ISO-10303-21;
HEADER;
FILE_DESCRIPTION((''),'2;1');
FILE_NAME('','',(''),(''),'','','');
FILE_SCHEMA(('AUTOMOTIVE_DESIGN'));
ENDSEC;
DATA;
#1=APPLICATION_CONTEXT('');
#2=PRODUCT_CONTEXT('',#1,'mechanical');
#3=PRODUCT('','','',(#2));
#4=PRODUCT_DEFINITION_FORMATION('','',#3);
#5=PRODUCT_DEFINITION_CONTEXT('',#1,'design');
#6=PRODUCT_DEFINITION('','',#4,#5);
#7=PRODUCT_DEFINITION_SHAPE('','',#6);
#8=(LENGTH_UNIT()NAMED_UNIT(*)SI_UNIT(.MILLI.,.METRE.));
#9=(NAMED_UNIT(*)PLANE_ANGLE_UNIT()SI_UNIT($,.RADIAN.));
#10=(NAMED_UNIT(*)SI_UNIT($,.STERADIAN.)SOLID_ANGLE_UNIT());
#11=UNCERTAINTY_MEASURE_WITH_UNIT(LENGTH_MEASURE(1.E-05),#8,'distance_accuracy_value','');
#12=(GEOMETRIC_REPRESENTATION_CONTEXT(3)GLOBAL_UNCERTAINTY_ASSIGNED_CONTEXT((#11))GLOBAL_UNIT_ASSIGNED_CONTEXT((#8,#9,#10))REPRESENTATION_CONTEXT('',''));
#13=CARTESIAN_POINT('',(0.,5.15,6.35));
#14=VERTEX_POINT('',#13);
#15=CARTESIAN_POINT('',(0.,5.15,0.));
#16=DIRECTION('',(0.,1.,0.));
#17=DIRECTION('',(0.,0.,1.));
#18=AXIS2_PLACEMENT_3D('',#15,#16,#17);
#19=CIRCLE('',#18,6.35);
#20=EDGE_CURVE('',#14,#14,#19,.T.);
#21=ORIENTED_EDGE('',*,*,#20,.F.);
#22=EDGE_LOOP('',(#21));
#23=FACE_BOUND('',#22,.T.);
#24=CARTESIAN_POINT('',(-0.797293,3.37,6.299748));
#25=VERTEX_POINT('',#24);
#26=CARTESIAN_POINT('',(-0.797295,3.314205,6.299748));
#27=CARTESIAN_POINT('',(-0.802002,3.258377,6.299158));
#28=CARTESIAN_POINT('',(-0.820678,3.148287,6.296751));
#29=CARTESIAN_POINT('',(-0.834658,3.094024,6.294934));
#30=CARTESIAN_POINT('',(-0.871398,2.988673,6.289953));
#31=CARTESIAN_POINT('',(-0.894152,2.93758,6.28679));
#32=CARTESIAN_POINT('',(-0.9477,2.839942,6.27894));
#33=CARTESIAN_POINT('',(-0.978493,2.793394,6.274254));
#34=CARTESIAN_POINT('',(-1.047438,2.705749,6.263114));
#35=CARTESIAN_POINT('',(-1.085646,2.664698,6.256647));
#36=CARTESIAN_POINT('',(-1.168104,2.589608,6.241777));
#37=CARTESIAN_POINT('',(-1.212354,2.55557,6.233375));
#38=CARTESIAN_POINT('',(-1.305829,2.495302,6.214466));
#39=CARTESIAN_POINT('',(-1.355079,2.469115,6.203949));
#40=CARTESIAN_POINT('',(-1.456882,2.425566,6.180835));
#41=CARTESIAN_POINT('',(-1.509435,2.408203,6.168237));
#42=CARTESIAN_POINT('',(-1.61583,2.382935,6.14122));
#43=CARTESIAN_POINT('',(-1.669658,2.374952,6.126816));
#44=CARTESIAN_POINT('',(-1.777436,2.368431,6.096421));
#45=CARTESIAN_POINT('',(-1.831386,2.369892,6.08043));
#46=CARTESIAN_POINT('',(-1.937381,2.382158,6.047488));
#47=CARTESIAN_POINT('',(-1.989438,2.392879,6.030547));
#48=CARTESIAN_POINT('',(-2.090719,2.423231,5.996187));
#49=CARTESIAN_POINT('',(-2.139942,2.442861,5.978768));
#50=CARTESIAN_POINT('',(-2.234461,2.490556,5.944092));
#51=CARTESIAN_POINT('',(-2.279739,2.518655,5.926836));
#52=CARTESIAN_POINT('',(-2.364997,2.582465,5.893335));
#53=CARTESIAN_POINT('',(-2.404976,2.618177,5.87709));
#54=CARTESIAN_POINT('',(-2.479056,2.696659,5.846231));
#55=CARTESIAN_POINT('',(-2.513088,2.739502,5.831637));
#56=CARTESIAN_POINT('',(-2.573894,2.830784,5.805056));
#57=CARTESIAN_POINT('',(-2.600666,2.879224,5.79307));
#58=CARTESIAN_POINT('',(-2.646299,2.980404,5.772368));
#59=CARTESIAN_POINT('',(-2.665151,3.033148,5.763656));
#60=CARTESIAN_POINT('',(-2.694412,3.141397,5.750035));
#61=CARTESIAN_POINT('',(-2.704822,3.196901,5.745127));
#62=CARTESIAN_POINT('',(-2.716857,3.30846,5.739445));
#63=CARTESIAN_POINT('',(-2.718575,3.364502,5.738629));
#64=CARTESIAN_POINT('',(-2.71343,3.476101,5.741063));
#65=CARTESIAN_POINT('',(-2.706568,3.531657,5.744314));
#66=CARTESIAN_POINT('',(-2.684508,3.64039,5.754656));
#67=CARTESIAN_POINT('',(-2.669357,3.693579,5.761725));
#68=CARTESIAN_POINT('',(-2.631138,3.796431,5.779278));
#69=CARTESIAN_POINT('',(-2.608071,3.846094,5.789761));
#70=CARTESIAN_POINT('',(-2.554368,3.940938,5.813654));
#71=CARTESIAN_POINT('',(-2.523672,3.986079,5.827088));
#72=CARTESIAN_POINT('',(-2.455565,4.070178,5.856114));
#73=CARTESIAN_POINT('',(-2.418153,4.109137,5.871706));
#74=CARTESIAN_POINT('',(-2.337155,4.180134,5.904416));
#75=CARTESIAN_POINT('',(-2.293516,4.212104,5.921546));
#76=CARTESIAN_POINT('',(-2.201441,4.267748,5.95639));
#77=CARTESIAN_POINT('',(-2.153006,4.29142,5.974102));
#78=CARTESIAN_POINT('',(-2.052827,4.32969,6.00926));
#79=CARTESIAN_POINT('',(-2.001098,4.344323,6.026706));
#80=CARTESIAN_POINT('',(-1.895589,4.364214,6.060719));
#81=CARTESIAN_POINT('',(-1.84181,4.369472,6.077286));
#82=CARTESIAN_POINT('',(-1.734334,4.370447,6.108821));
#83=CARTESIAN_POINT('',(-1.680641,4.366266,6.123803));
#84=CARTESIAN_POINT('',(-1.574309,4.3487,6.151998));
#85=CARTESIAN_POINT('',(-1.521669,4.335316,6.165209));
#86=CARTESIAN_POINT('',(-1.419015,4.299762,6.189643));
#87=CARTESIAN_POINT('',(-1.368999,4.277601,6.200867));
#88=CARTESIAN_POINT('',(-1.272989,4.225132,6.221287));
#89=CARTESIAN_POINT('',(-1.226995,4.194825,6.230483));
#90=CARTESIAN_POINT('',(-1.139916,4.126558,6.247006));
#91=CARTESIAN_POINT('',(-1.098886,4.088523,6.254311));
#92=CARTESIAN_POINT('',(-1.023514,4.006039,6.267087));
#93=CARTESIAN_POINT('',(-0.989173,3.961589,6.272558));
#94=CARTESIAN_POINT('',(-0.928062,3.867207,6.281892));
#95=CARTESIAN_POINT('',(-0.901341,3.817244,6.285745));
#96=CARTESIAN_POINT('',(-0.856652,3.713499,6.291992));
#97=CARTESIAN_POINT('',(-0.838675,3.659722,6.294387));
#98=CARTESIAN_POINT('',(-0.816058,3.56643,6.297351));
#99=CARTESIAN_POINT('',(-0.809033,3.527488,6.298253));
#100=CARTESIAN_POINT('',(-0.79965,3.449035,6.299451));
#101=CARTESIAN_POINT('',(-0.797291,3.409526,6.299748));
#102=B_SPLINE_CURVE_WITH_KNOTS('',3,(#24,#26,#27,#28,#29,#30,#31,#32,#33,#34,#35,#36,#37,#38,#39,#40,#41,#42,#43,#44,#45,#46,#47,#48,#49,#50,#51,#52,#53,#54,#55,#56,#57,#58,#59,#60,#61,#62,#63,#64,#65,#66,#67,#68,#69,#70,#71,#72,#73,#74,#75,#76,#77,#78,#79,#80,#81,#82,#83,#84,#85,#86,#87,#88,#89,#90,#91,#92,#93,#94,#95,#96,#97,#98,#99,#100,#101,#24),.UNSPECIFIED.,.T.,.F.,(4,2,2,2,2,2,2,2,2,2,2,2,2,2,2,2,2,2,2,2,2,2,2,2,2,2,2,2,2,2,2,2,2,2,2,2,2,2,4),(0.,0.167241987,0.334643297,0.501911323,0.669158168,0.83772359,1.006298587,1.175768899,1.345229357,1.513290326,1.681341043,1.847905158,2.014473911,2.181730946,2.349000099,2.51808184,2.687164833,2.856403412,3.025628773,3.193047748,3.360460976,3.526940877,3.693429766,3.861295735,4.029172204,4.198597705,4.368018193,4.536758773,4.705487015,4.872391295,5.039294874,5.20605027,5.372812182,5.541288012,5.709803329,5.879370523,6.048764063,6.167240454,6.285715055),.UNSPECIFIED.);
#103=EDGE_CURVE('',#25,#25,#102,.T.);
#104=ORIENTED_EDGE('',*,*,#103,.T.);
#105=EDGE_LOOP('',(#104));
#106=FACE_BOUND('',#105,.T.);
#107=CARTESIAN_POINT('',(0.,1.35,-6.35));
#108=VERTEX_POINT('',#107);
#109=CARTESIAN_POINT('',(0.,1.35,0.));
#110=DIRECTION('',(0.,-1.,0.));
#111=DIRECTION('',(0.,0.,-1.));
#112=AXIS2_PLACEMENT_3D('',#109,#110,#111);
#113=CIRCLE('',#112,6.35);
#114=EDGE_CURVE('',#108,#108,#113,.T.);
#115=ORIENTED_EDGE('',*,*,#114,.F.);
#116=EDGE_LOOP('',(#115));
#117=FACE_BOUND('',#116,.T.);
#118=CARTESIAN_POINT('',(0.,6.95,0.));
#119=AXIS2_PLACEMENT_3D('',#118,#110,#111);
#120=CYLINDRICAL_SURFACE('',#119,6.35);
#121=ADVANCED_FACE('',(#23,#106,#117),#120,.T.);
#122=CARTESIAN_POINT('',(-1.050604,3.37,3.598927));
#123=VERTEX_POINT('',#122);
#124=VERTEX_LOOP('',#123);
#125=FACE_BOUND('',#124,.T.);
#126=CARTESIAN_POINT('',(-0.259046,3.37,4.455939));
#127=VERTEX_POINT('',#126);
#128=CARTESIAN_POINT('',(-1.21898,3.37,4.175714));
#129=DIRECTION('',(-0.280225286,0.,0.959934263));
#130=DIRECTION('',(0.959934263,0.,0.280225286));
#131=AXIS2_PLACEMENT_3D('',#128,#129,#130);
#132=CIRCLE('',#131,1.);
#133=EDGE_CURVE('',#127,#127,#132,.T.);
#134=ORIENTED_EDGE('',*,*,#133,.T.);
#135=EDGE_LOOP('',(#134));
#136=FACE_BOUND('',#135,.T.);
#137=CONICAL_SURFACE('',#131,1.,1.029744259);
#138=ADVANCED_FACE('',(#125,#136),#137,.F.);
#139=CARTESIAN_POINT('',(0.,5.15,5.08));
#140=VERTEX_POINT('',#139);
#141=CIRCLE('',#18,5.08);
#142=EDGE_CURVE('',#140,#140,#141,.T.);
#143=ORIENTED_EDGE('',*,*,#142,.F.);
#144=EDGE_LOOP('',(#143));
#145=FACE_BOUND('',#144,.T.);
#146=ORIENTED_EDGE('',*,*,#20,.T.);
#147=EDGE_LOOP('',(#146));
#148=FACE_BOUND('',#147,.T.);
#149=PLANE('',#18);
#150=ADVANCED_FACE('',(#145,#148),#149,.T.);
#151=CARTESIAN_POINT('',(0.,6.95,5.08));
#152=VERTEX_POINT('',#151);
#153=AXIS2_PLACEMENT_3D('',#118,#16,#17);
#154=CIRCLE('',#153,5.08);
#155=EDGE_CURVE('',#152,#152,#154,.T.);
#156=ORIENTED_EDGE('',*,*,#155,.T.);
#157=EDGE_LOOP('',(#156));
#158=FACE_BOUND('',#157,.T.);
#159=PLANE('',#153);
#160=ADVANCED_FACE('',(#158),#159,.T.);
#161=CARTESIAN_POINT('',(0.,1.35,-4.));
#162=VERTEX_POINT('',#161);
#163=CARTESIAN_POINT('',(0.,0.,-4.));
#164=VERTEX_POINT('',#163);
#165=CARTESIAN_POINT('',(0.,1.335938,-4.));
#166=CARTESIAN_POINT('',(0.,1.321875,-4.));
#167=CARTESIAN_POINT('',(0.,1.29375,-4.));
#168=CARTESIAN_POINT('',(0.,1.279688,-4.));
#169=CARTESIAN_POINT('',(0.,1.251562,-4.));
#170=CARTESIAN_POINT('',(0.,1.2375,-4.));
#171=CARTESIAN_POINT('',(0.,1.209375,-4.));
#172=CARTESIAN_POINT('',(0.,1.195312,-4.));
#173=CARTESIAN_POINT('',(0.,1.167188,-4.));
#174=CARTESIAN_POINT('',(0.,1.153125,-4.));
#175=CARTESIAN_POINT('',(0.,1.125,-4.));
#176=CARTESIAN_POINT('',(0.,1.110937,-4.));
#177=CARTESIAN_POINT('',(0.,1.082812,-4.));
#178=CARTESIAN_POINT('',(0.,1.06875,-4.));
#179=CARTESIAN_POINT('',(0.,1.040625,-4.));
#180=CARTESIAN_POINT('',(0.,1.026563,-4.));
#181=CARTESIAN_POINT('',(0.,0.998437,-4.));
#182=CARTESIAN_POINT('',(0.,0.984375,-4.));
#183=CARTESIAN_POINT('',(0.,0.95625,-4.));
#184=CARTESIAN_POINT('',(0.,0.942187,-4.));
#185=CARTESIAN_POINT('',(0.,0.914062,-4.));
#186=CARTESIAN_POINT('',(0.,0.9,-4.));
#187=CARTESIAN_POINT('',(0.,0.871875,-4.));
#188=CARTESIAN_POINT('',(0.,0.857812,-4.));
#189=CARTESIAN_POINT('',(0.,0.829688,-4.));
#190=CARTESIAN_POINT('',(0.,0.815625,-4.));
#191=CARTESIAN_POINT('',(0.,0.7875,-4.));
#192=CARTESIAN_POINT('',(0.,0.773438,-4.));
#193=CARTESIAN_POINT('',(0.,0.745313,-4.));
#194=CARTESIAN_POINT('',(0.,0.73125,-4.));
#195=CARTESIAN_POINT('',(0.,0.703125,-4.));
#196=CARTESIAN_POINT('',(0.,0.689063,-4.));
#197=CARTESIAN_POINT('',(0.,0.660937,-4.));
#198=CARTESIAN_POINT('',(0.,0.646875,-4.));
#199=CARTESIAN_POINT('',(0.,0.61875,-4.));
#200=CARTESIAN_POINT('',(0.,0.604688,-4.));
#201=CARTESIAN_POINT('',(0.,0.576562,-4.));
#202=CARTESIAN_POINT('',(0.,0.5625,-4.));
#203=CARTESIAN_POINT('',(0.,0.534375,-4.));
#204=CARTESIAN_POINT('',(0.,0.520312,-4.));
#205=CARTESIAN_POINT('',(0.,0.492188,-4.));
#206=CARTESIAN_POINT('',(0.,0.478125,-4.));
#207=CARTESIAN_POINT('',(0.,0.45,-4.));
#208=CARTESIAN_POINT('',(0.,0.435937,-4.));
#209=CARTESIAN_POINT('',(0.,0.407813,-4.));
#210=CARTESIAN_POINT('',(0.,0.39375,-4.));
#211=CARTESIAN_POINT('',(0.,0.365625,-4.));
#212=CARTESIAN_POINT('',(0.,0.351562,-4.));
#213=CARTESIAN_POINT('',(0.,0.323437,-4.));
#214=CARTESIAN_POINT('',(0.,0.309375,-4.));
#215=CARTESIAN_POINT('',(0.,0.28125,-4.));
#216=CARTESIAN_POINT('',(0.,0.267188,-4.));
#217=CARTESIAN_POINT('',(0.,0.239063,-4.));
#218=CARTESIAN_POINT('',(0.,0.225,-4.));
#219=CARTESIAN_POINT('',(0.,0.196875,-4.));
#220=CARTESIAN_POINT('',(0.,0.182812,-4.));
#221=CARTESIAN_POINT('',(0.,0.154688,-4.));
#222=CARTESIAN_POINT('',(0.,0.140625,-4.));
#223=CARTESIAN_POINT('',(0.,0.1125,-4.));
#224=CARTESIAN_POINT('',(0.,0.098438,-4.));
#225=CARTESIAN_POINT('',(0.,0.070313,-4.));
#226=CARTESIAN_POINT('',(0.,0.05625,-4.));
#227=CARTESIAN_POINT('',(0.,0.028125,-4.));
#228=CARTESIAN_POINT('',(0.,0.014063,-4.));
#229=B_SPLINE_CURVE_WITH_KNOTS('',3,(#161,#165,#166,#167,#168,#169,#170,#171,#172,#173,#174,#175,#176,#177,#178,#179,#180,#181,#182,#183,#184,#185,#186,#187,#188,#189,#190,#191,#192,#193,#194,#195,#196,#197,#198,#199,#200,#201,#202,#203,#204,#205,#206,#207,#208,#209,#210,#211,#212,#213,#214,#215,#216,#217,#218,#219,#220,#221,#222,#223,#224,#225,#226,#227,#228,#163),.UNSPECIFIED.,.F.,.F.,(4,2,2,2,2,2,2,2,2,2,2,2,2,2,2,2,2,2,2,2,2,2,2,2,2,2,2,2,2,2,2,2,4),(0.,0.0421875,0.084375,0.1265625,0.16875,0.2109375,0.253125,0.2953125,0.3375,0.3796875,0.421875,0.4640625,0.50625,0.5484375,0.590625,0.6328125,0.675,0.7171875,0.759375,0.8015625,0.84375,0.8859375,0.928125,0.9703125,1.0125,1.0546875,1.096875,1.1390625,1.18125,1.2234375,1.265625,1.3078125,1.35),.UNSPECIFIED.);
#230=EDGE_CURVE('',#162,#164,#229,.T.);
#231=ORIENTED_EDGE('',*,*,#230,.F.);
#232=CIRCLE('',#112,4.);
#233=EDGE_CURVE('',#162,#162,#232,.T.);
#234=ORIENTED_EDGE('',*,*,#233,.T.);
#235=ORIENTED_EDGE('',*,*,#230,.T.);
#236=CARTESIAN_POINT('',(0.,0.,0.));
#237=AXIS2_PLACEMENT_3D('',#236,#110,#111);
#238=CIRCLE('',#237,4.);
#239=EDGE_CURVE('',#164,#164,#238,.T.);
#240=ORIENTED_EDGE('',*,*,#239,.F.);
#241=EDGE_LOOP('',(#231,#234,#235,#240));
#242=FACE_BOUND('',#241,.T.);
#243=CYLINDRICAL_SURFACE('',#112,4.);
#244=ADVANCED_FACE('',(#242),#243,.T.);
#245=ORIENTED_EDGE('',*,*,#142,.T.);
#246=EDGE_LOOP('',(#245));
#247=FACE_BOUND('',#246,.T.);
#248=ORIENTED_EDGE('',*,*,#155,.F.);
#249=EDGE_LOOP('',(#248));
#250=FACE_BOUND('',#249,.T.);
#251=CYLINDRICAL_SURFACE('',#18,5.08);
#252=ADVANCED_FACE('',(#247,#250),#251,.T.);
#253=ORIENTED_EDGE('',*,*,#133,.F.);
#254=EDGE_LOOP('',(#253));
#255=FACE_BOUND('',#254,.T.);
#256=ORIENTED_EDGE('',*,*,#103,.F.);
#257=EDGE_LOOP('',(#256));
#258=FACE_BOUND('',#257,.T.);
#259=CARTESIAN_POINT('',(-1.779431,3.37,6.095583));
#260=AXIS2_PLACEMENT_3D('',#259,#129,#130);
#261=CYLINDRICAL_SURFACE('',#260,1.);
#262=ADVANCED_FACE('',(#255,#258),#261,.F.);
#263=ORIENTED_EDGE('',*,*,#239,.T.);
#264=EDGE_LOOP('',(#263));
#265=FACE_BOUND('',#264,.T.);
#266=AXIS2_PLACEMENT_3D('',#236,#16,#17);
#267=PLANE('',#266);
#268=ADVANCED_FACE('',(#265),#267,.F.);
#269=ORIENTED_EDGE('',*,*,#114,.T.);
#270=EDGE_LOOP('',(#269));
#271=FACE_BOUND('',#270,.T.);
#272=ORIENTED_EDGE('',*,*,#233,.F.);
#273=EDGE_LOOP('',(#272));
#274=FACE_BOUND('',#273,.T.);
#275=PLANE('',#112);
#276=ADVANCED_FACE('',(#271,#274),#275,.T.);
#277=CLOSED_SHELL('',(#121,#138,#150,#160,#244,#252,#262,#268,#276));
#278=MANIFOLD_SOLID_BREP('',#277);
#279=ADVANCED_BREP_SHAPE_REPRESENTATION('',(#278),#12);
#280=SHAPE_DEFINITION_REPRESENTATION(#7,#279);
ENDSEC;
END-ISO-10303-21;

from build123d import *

# Parameters (mm, degrees)
SKETCH1_R                 = 6.35
BOSS_EXTRUDE1_DEPTH       = 6.95
SKETCH2_R                 = 7.542662581
SKETCH2_R_2               = 4
CUT_EXTRUDE1_DEPTH        = 1.35
SKETCH3_R                 = 7.419476018
SKETCH3_R_2               = 5.08
CUT_EXTRUDE2_DEPTH        = 1.8
F_2_0MM_DOWEL_HOLE1_D     = 2
F_2_0MM_DOWEL_HOLE1_DEPTH = 2
F_2_0MM_DOWEL_HOLE1_TIP   = 0.600860619


with BuildPart() as part:
    # Sketch1 → Boss-Extrude1 (new body)
    with BuildSketch(Plane(origin=(0, 0, 0), x_dir=(1, 0, 0), z_dir=(0, 1, 0))):
        with Locations(Location((0, 0, 0), (0, 0, 270))):
            Circle(SKETCH1_R)
    extrude(amount=BOSS_EXTRUDE1_DEPTH)

    # Sketch2 → Cut-Extrude1 (cut)
    with BuildSketch(Plane.XZ):
        Circle(SKETCH2_R)
        with Locations(Location((0, 0, 0), (0, 0, 270))):
            Circle(SKETCH2_R_2, mode=Mode.SUBTRACT)
    extrude(amount=-CUT_EXTRUDE1_DEPTH, mode=Mode.SUBTRACT)

    # Sketch3 → Cut-Extrude2 (cut)
    with BuildSketch(Plane(origin=(0, 6.95, 0), x_dir=(1, 0, 0), z_dir=(0, 1, 0))):
        Circle(SKETCH3_R)
        with Locations(Location((0, 0, 0), (0, 0, 270))):
            Circle(SKETCH3_R_2, mode=Mode.SUBTRACT)
    extrude(amount=-CUT_EXTRUDE2_DEPTH, mode=Mode.SUBTRACT)

    # Ø2.0mm Dowel Hole1
    with Locations(Plane(origin=(-1.779430565, 3.37, 6.09558257), x_dir=(0.95993426294, 0, 0.280225285859), z_dir=(-0.280225285859, 0, 0.95993426294))):
        with Locations((0, 0)):
            Hole(F_2_0MM_DOWEL_HOLE1_D / 2, depth=F_2_0MM_DOWEL_HOLE1_DEPTH)
            with Locations((0, 0, -(F_2_0MM_DOWEL_HOLE1_DEPTH + F_2_0MM_DOWEL_HOLE1_TIP / 2))):  # 118° drill point
                Cone(0, F_2_0MM_DOWEL_HOLE1_D / 2, F_2_0MM_DOWEL_HOLE1_TIP, mode=Mode.SUBTRACT)


solid = part.part
